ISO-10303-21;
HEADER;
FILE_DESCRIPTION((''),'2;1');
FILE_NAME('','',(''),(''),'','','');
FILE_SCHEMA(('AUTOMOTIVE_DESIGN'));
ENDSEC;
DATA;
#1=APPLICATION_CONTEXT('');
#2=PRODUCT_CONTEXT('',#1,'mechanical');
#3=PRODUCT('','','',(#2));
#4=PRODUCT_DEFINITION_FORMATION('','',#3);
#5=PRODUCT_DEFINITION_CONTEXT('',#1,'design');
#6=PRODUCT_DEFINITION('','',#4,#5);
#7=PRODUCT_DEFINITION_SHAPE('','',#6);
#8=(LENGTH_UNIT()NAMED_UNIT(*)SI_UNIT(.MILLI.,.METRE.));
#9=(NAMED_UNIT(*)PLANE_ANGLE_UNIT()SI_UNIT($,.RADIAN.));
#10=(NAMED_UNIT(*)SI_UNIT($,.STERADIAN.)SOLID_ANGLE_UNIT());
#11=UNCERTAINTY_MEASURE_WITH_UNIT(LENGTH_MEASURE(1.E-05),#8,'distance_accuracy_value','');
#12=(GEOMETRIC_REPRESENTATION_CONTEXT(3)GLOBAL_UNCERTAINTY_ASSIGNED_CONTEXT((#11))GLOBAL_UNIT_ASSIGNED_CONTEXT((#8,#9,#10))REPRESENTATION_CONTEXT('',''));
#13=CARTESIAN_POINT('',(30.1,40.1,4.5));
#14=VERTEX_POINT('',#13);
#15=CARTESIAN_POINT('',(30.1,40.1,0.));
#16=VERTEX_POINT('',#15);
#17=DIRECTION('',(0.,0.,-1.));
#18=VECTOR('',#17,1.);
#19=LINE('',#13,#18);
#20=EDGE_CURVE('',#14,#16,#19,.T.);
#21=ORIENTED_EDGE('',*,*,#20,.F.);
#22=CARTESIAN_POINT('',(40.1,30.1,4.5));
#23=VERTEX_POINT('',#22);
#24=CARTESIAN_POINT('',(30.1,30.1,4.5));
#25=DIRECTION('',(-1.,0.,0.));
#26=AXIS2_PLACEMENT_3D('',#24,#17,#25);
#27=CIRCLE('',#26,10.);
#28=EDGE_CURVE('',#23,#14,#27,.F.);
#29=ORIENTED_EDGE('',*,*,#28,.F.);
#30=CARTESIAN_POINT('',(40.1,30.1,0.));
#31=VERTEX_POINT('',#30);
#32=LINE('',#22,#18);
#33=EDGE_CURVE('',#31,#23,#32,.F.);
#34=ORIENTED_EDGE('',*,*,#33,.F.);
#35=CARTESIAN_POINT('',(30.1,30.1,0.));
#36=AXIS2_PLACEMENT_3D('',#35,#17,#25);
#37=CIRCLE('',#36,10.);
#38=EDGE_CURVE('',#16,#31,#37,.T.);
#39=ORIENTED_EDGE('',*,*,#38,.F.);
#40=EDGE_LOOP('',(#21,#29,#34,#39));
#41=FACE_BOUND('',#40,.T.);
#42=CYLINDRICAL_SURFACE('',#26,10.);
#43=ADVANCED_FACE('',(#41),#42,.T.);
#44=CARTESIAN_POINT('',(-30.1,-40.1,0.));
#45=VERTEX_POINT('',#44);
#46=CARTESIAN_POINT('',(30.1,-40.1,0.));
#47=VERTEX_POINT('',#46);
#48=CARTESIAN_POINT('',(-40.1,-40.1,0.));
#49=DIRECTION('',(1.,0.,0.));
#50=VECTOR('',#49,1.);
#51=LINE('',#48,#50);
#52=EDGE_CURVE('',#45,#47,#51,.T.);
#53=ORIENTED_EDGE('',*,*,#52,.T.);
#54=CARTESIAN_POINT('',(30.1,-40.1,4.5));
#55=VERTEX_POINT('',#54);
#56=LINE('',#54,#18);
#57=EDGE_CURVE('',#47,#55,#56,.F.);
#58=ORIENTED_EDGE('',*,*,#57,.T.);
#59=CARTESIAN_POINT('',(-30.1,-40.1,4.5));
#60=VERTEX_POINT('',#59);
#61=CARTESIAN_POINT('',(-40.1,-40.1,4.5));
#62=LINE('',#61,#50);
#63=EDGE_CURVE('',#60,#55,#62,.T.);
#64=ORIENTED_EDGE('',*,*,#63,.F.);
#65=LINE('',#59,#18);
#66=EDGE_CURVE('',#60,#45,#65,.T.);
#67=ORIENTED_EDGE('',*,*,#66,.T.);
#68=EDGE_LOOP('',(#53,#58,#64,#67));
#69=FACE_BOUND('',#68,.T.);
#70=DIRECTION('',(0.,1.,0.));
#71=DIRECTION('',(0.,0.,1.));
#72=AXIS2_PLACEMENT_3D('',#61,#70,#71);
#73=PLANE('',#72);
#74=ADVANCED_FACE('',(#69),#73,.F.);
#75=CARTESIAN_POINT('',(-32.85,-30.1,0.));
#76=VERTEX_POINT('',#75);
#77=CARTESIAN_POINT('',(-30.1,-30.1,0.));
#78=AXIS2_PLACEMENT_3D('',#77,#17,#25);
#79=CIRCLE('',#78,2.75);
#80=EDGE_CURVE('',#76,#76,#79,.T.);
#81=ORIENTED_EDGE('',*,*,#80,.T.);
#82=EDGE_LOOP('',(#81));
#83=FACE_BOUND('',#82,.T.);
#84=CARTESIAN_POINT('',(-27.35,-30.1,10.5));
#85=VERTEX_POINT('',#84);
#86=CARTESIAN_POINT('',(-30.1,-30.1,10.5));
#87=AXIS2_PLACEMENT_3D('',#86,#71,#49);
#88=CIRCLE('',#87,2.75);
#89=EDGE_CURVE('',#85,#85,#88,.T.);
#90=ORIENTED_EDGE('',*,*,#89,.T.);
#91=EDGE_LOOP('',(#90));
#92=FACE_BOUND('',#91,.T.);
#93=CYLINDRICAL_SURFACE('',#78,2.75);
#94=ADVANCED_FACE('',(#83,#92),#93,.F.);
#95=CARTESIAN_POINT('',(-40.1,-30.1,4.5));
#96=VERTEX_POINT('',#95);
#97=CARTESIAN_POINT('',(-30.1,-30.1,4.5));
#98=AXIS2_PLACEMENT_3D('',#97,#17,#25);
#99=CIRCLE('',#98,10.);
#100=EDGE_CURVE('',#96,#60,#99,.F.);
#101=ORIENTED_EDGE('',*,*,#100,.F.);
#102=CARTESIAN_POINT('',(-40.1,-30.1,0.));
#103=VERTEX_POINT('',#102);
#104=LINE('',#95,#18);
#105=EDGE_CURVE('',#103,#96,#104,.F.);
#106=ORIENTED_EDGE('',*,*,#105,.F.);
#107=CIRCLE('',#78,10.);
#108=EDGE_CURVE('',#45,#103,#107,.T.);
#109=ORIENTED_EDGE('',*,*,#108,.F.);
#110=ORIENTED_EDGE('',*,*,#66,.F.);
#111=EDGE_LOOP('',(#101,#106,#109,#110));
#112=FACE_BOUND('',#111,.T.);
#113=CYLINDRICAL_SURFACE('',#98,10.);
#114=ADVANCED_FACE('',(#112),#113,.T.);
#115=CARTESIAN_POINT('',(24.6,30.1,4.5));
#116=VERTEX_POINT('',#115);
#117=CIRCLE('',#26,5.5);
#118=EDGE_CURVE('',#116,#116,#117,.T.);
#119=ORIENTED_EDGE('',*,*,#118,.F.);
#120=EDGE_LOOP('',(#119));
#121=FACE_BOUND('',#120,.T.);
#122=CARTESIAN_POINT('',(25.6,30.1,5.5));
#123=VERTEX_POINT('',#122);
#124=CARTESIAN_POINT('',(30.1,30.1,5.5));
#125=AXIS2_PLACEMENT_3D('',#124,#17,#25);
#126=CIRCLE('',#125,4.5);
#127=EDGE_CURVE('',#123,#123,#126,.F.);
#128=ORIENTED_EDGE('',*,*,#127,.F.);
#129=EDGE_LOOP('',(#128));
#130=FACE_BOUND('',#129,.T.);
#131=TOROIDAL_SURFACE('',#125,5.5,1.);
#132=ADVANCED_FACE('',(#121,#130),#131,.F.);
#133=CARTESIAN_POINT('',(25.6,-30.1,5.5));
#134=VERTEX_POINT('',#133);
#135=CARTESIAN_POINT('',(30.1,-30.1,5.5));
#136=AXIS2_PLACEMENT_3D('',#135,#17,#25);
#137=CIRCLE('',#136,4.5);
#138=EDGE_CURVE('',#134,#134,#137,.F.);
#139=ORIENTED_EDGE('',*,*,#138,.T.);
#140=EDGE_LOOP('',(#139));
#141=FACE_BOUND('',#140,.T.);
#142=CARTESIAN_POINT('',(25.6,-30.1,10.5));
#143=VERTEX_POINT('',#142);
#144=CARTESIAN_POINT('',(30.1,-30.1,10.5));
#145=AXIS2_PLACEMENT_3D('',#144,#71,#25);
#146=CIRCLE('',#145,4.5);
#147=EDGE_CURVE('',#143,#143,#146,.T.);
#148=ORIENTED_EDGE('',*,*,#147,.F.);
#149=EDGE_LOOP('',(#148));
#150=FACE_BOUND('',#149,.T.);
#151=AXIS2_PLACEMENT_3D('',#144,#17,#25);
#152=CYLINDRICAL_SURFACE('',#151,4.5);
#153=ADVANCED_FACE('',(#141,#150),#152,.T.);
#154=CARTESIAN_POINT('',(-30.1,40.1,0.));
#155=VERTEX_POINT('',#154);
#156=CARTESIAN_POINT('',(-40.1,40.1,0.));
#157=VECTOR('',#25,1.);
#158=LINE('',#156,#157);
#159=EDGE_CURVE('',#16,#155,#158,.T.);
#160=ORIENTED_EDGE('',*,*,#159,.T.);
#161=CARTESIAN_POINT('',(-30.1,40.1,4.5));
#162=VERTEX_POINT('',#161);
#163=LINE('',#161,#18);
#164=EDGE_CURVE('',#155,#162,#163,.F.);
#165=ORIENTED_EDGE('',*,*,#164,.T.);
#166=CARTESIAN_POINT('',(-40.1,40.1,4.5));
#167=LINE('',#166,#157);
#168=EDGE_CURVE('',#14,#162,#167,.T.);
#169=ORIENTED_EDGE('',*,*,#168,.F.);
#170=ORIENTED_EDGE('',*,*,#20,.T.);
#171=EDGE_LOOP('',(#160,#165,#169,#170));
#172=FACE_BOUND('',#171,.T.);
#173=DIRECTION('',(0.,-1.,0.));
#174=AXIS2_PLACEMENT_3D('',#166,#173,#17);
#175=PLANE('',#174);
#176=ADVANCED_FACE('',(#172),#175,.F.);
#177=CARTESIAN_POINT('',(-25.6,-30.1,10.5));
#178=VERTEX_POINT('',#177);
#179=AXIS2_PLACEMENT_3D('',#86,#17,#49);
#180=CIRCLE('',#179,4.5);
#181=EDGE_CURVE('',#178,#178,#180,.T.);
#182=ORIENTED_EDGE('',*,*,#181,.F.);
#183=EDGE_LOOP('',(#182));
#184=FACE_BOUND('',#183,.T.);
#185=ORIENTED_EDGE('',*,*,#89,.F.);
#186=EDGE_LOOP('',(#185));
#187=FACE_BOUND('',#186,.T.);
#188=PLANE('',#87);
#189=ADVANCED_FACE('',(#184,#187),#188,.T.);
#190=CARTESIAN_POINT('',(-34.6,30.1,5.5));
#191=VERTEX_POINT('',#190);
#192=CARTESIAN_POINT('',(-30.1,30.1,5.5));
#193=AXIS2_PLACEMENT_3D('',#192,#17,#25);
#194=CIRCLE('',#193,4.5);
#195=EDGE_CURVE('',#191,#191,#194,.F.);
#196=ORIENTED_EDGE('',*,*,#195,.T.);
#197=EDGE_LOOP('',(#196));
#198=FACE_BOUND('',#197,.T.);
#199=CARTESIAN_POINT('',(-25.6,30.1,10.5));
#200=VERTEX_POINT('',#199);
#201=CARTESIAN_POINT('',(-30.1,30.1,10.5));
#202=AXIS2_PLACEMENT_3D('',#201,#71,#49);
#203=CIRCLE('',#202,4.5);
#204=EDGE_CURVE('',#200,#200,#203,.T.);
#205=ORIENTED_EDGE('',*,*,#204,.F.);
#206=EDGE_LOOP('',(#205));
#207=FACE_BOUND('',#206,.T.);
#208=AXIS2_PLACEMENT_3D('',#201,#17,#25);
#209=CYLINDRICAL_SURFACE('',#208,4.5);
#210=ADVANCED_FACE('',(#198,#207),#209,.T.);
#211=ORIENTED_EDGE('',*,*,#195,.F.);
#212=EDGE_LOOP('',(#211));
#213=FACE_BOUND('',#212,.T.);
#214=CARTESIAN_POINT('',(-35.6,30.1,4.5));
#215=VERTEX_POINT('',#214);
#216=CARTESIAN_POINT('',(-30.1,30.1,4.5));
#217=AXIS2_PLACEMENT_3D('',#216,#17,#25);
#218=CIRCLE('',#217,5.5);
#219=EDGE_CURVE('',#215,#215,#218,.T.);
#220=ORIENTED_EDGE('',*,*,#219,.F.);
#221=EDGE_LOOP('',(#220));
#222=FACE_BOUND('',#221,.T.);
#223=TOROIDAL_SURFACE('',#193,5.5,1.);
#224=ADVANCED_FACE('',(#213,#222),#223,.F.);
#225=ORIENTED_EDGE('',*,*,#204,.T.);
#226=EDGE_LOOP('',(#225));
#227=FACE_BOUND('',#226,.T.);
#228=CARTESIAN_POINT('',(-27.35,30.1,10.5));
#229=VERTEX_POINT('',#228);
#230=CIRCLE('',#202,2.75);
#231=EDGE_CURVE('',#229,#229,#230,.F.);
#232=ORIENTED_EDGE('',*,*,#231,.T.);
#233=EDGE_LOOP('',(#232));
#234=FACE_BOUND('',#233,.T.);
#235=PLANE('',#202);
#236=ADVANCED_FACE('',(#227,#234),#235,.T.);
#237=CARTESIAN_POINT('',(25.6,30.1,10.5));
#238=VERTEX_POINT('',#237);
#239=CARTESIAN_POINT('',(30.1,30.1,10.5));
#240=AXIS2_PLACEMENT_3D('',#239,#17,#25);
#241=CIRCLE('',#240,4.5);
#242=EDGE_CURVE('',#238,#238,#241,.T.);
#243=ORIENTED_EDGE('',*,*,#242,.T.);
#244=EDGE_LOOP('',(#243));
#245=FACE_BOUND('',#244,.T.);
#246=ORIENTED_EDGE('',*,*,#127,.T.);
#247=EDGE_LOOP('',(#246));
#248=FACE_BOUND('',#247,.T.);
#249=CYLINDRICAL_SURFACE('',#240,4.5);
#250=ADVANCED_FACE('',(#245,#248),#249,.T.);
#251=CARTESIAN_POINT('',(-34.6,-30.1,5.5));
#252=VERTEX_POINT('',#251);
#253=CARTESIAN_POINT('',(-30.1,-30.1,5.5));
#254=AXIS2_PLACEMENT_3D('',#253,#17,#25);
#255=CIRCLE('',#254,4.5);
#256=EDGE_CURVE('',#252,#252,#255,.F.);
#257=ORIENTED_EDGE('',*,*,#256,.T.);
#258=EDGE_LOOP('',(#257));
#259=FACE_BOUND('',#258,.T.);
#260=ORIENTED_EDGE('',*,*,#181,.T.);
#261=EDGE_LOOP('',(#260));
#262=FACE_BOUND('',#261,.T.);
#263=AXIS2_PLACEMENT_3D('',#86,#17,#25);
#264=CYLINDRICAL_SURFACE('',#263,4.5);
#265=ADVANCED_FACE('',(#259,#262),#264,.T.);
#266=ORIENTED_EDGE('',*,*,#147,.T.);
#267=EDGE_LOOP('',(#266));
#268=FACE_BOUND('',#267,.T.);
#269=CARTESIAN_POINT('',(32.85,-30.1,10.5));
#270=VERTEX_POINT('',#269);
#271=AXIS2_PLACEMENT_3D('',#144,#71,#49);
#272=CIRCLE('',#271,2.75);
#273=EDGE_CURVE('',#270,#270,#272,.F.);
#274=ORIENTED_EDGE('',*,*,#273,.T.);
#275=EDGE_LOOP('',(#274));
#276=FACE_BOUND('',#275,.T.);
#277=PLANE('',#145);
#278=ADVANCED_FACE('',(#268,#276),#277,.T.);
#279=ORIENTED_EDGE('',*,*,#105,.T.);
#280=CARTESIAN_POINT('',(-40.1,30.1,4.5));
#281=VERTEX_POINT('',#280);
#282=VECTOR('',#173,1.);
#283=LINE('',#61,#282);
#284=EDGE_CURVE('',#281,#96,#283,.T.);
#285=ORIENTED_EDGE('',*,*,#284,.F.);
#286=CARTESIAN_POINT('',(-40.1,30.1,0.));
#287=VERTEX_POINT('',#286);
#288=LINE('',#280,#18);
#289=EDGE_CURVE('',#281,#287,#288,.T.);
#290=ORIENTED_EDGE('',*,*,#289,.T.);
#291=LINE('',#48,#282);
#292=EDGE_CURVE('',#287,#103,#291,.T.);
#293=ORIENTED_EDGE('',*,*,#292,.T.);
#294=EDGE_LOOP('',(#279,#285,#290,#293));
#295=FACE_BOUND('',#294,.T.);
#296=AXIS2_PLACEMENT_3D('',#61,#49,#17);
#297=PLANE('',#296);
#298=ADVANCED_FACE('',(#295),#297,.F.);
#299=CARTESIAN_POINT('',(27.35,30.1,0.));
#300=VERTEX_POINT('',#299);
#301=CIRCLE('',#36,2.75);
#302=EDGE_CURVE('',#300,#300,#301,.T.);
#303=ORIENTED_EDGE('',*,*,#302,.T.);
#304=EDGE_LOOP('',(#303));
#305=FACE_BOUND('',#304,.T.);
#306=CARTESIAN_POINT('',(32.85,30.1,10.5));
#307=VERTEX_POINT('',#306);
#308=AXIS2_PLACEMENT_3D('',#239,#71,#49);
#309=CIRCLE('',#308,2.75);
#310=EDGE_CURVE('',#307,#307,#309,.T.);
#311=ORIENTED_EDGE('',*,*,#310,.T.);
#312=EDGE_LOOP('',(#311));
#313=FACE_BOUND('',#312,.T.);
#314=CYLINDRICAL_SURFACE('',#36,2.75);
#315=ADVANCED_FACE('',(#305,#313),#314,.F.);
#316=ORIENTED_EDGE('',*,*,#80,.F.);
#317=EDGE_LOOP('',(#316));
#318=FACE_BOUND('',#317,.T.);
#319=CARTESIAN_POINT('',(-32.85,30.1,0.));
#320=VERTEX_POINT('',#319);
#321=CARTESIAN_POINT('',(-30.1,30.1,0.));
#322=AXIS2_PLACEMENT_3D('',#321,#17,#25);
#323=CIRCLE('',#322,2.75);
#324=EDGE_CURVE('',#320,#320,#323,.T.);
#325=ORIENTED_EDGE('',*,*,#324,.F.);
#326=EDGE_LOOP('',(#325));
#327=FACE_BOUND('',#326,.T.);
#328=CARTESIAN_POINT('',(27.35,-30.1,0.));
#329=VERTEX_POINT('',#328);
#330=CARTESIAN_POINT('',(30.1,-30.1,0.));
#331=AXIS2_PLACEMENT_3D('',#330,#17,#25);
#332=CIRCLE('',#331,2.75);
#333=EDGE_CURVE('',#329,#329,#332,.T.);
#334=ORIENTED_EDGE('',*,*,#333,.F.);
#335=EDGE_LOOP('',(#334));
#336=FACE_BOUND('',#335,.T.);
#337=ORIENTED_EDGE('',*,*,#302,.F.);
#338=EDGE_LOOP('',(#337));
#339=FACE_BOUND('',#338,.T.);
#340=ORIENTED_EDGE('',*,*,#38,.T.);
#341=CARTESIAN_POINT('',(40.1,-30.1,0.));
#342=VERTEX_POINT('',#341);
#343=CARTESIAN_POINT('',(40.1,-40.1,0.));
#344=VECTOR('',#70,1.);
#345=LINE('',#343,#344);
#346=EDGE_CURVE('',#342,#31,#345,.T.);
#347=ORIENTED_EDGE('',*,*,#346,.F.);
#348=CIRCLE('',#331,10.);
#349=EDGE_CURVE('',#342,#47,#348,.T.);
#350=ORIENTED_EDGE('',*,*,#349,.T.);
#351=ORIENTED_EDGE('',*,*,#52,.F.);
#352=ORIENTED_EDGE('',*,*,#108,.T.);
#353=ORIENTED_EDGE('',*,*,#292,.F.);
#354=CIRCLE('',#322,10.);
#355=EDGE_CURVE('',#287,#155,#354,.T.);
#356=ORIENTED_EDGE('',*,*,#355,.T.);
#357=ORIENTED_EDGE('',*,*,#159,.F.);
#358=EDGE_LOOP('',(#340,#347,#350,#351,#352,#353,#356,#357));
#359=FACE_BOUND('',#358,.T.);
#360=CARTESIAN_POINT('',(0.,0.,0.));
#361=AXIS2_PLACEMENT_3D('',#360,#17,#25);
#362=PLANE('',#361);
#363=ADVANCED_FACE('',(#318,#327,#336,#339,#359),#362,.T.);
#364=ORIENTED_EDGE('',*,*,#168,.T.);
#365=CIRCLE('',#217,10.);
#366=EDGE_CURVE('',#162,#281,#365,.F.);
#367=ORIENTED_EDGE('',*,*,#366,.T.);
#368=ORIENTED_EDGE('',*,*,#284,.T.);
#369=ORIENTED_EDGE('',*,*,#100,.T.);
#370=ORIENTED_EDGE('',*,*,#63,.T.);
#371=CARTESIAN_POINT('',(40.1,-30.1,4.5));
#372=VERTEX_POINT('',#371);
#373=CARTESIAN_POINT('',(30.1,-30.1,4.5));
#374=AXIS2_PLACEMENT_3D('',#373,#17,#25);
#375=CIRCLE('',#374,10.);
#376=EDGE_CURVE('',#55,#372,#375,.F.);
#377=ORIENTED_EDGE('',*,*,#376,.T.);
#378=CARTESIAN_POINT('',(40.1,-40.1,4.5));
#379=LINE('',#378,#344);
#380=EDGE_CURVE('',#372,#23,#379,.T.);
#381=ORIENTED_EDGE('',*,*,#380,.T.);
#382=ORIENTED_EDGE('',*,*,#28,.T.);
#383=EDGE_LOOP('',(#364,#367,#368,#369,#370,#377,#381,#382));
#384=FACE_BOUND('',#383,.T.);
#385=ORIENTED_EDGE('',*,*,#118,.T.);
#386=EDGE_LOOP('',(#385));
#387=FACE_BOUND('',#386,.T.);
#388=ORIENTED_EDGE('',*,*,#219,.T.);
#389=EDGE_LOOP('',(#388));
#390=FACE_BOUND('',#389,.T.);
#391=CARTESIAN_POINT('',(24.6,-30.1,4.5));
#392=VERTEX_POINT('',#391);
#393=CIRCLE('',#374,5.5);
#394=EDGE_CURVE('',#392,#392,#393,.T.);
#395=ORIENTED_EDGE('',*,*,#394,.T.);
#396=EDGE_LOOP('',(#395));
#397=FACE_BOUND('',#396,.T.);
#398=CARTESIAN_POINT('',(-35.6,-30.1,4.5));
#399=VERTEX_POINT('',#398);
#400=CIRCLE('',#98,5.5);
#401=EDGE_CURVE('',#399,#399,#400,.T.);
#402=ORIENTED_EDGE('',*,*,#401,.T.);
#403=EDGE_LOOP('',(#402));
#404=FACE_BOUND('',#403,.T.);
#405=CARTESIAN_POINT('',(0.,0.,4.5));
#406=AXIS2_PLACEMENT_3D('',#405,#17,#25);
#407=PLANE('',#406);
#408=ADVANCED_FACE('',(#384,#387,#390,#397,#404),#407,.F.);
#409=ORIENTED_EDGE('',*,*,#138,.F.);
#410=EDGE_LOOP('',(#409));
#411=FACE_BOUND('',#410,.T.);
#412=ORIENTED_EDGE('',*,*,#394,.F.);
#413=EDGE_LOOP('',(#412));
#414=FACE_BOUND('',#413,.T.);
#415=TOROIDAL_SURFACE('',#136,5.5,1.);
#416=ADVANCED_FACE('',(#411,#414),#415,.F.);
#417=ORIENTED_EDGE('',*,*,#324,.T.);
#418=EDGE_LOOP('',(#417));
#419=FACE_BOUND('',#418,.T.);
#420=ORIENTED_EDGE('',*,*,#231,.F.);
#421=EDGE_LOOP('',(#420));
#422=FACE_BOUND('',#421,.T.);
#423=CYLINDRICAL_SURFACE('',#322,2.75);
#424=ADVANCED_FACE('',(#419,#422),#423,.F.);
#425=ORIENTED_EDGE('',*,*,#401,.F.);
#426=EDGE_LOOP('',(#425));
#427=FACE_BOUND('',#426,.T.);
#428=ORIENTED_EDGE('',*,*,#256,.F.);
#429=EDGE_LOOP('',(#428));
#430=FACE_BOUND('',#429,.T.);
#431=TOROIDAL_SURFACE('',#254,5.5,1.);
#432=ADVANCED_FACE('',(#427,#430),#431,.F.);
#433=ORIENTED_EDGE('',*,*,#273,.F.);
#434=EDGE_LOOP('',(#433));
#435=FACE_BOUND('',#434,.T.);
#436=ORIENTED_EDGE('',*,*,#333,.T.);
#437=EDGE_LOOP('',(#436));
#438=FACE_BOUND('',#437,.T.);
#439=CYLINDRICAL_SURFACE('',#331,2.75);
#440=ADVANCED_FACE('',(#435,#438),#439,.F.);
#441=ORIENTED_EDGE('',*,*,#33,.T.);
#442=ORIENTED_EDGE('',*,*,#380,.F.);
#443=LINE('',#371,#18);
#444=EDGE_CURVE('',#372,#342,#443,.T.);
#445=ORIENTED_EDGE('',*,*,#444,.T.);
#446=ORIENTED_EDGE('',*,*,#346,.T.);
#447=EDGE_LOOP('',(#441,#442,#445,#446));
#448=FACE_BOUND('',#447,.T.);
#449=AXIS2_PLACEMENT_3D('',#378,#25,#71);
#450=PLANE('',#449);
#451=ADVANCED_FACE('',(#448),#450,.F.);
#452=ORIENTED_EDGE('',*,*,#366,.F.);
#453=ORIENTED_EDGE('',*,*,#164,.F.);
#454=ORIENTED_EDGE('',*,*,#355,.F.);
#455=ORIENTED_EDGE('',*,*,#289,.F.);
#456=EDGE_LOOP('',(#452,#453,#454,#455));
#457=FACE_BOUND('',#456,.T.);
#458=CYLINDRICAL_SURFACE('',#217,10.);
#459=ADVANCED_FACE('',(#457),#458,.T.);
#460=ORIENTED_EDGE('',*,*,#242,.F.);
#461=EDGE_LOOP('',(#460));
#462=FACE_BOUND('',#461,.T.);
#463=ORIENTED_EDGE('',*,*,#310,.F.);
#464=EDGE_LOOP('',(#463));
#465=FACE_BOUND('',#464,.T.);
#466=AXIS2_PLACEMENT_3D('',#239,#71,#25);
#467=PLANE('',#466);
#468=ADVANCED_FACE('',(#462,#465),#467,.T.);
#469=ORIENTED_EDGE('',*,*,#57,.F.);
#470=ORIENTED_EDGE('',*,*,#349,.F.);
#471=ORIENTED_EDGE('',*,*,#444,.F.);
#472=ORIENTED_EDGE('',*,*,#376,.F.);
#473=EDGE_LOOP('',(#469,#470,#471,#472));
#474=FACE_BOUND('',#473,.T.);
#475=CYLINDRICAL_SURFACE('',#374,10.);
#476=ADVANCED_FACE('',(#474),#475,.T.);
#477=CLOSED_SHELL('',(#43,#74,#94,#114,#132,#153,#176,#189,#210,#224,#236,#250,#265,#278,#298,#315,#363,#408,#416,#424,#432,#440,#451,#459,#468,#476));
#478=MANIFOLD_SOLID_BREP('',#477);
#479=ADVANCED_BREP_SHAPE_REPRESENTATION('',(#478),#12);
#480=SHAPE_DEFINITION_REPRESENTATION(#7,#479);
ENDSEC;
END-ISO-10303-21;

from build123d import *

# Parameters (mm, degrees)
SKETCH1_W                                  = 80.2
SKETCH1_H                                  = 80.2
BOSS_EXTRUDE1_DEPTH                        = 4.5
M5_CLEARANCE_HOLE1_D                       = 5.5
FILLET2_R                                  = 10
SKETCH3_R                                  = 4.5
BOSS_EXTRUDE2_DEPTH                        = 6
CUT_EXTRUDE1_REACH                         = 59.026
SKETCH5_R                                  = 2.75
MIRROR2_AT_THE_SECOND_PLANE_COPY_1_SKETC_R = 4.5
MIRROR2_AT_THE_SECOND_PLANE_COPY_1_DEPTH   = 6
MIRROR2_AT_THE_SECOND_PLANE_COPY_2_REACH   = 59.026
MIRROR2_AT_THE_SECOND_PLANE_COPY_2_SKETC_R = 2.75
FILLET4_R                                  = 1


with BuildPart() as part:
    # Sketch1 → Boss-Extrude1 (new body)
    with BuildSketch(Plane.XY):
        Rectangle(SKETCH1_W, SKETCH1_H)
    extrude(amount=BOSS_EXTRUDE1_DEPTH)

    # M5 Clearance Hole1 (through all)
    with Locations(Plane(origin=(-30.1, -30.1, 0), x_dir=(-1, 0, 0), z_dir=(0, 0, -1))):
        with Locations((0, 0), (-60.2, 60.2), (0, 60.2), (-60.2, 0)):
            Hole(M5_CLEARANCE_HOLE1_D / 2)

    # Fillet2
    fillet2_edges = [part.edges().sort_by_distance(p)[0] for p in [
        (40.1, -40.1, 2.25),
        (-40.1, -40.1, 2.25),
        (-40.1, 40.1, 2.25),
        (40.1, 40.1, 2.25),
    ]]
    fillet(fillet2_edges, radius=FILLET2_R)

    # Sketch3 → Boss-Extrude2 (add)
    with BuildSketch(Plane.XY.offset(4.5)):
        with Locations(Location((-30.1, 30.1, 0), (0, 0, 180))):
            Circle(SKETCH3_R)
    boss_extrude2 = extrude(amount=BOSS_EXTRUDE2_DEPTH)

    # Sketch5 → Cut-Extrude1 (cut, up to next)
    with BuildSketch(Plane(origin=(0, 0, 4.5), x_dir=(-1, 0, 0), z_dir=(0, 0, -1)), mode=Mode.PRIVATE) as cut_extrude1_sk1:
        with Locations((30.1, 30.1)):
            Circle(SKETCH5_R)
    cut_extrude1_tool1 = extrude(cut_extrude1_sk1.sketch, amount=-CUT_EXTRUDE1_REACH, mode=Mode.PRIVATE) & part.part
    cut_extrude1 = cut_extrude1_tool1.solids().sort_by_distance((-30.1, 30.1, 4.5))[0]
    add(cut_extrude1, mode=Mode.SUBTRACT)

    # Mirror2: Boss-Extrude2, Cut-Extrude1 across plane
    add(boss_extrude2.mirror(Plane.ZX))
    add(cut_extrude1.mirror(Plane.ZX), mode=Mode.SUBTRACT)

    # Mirror2 at the second plane: Boss-Extrude2, Cut-Extrude1 across plane
    add(boss_extrude2.mirror(Plane(origin=(0, 0, 0), x_dir=(0, 0, 1), z_dir=(1, 0, 0))))
    add(cut_extrude1.mirror(Plane(origin=(0, 0, 0), x_dir=(0, 0, 1), z_dir=(1, 0, 0))), mode=Mode.SUBTRACT)

    # Mirror2 at the second plane copy 1 sketc → Mirror2 at the second plane copy 1 (add)
    with BuildSketch(Plane(origin=(0, 0, 4.5), x_dir=(-1, 0, 0), z_dir=(0, 0, 1))):
        with Locations(Location((-30.1, 30.1, 0), (0, 0, 180))):
            Circle(MIRROR2_AT_THE_SECOND_PLANE_COPY_1_SKETC_R)
    extrude(amount=MIRROR2_AT_THE_SECOND_PLANE_COPY_1_DEPTH)

    # Mirror2 at the second plane copy 2 sketc → Mirror2 at the second plane copy 2 (cut, up to next)
    with BuildSketch(Plane(origin=(0, 0, 4.5), x_dir=(1, 0, 0), z_dir=(0, 0, -1)), mode=Mode.PRIVATE) as mirror2_at_the_second_plane_copy_2_sk1:
        with Locations((30.1, 30.1)):
            Circle(MIRROR2_AT_THE_SECOND_PLANE_COPY_2_SKETC_R)
    mirror2_at_the_second_plane_copy_2_tool1 = extrude(mirror2_at_the_second_plane_copy_2_sk1.sketch, amount=-MIRROR2_AT_THE_SECOND_PLANE_COPY_2_REACH, mode=Mode.PRIVATE) & part.part
    add(mirror2_at_the_second_plane_copy_2_tool1.solids().sort_by_distance((30.1, -30.1, 4.5))[0], mode=Mode.SUBTRACT)

    # Fillet4
    fillet4_edges = [part.edges().sort_by_distance(p)[0] for p in [
        (-25.6, 30.1, 4.5),
        (25.6, 30.1, 4.5),
        (-25.6, -30.1, 4.5),
        (25.6, -30.1, 4.5),
    ]]
    fillet(fillet4_edges, radius=FILLET4_R)


solid = part.part
